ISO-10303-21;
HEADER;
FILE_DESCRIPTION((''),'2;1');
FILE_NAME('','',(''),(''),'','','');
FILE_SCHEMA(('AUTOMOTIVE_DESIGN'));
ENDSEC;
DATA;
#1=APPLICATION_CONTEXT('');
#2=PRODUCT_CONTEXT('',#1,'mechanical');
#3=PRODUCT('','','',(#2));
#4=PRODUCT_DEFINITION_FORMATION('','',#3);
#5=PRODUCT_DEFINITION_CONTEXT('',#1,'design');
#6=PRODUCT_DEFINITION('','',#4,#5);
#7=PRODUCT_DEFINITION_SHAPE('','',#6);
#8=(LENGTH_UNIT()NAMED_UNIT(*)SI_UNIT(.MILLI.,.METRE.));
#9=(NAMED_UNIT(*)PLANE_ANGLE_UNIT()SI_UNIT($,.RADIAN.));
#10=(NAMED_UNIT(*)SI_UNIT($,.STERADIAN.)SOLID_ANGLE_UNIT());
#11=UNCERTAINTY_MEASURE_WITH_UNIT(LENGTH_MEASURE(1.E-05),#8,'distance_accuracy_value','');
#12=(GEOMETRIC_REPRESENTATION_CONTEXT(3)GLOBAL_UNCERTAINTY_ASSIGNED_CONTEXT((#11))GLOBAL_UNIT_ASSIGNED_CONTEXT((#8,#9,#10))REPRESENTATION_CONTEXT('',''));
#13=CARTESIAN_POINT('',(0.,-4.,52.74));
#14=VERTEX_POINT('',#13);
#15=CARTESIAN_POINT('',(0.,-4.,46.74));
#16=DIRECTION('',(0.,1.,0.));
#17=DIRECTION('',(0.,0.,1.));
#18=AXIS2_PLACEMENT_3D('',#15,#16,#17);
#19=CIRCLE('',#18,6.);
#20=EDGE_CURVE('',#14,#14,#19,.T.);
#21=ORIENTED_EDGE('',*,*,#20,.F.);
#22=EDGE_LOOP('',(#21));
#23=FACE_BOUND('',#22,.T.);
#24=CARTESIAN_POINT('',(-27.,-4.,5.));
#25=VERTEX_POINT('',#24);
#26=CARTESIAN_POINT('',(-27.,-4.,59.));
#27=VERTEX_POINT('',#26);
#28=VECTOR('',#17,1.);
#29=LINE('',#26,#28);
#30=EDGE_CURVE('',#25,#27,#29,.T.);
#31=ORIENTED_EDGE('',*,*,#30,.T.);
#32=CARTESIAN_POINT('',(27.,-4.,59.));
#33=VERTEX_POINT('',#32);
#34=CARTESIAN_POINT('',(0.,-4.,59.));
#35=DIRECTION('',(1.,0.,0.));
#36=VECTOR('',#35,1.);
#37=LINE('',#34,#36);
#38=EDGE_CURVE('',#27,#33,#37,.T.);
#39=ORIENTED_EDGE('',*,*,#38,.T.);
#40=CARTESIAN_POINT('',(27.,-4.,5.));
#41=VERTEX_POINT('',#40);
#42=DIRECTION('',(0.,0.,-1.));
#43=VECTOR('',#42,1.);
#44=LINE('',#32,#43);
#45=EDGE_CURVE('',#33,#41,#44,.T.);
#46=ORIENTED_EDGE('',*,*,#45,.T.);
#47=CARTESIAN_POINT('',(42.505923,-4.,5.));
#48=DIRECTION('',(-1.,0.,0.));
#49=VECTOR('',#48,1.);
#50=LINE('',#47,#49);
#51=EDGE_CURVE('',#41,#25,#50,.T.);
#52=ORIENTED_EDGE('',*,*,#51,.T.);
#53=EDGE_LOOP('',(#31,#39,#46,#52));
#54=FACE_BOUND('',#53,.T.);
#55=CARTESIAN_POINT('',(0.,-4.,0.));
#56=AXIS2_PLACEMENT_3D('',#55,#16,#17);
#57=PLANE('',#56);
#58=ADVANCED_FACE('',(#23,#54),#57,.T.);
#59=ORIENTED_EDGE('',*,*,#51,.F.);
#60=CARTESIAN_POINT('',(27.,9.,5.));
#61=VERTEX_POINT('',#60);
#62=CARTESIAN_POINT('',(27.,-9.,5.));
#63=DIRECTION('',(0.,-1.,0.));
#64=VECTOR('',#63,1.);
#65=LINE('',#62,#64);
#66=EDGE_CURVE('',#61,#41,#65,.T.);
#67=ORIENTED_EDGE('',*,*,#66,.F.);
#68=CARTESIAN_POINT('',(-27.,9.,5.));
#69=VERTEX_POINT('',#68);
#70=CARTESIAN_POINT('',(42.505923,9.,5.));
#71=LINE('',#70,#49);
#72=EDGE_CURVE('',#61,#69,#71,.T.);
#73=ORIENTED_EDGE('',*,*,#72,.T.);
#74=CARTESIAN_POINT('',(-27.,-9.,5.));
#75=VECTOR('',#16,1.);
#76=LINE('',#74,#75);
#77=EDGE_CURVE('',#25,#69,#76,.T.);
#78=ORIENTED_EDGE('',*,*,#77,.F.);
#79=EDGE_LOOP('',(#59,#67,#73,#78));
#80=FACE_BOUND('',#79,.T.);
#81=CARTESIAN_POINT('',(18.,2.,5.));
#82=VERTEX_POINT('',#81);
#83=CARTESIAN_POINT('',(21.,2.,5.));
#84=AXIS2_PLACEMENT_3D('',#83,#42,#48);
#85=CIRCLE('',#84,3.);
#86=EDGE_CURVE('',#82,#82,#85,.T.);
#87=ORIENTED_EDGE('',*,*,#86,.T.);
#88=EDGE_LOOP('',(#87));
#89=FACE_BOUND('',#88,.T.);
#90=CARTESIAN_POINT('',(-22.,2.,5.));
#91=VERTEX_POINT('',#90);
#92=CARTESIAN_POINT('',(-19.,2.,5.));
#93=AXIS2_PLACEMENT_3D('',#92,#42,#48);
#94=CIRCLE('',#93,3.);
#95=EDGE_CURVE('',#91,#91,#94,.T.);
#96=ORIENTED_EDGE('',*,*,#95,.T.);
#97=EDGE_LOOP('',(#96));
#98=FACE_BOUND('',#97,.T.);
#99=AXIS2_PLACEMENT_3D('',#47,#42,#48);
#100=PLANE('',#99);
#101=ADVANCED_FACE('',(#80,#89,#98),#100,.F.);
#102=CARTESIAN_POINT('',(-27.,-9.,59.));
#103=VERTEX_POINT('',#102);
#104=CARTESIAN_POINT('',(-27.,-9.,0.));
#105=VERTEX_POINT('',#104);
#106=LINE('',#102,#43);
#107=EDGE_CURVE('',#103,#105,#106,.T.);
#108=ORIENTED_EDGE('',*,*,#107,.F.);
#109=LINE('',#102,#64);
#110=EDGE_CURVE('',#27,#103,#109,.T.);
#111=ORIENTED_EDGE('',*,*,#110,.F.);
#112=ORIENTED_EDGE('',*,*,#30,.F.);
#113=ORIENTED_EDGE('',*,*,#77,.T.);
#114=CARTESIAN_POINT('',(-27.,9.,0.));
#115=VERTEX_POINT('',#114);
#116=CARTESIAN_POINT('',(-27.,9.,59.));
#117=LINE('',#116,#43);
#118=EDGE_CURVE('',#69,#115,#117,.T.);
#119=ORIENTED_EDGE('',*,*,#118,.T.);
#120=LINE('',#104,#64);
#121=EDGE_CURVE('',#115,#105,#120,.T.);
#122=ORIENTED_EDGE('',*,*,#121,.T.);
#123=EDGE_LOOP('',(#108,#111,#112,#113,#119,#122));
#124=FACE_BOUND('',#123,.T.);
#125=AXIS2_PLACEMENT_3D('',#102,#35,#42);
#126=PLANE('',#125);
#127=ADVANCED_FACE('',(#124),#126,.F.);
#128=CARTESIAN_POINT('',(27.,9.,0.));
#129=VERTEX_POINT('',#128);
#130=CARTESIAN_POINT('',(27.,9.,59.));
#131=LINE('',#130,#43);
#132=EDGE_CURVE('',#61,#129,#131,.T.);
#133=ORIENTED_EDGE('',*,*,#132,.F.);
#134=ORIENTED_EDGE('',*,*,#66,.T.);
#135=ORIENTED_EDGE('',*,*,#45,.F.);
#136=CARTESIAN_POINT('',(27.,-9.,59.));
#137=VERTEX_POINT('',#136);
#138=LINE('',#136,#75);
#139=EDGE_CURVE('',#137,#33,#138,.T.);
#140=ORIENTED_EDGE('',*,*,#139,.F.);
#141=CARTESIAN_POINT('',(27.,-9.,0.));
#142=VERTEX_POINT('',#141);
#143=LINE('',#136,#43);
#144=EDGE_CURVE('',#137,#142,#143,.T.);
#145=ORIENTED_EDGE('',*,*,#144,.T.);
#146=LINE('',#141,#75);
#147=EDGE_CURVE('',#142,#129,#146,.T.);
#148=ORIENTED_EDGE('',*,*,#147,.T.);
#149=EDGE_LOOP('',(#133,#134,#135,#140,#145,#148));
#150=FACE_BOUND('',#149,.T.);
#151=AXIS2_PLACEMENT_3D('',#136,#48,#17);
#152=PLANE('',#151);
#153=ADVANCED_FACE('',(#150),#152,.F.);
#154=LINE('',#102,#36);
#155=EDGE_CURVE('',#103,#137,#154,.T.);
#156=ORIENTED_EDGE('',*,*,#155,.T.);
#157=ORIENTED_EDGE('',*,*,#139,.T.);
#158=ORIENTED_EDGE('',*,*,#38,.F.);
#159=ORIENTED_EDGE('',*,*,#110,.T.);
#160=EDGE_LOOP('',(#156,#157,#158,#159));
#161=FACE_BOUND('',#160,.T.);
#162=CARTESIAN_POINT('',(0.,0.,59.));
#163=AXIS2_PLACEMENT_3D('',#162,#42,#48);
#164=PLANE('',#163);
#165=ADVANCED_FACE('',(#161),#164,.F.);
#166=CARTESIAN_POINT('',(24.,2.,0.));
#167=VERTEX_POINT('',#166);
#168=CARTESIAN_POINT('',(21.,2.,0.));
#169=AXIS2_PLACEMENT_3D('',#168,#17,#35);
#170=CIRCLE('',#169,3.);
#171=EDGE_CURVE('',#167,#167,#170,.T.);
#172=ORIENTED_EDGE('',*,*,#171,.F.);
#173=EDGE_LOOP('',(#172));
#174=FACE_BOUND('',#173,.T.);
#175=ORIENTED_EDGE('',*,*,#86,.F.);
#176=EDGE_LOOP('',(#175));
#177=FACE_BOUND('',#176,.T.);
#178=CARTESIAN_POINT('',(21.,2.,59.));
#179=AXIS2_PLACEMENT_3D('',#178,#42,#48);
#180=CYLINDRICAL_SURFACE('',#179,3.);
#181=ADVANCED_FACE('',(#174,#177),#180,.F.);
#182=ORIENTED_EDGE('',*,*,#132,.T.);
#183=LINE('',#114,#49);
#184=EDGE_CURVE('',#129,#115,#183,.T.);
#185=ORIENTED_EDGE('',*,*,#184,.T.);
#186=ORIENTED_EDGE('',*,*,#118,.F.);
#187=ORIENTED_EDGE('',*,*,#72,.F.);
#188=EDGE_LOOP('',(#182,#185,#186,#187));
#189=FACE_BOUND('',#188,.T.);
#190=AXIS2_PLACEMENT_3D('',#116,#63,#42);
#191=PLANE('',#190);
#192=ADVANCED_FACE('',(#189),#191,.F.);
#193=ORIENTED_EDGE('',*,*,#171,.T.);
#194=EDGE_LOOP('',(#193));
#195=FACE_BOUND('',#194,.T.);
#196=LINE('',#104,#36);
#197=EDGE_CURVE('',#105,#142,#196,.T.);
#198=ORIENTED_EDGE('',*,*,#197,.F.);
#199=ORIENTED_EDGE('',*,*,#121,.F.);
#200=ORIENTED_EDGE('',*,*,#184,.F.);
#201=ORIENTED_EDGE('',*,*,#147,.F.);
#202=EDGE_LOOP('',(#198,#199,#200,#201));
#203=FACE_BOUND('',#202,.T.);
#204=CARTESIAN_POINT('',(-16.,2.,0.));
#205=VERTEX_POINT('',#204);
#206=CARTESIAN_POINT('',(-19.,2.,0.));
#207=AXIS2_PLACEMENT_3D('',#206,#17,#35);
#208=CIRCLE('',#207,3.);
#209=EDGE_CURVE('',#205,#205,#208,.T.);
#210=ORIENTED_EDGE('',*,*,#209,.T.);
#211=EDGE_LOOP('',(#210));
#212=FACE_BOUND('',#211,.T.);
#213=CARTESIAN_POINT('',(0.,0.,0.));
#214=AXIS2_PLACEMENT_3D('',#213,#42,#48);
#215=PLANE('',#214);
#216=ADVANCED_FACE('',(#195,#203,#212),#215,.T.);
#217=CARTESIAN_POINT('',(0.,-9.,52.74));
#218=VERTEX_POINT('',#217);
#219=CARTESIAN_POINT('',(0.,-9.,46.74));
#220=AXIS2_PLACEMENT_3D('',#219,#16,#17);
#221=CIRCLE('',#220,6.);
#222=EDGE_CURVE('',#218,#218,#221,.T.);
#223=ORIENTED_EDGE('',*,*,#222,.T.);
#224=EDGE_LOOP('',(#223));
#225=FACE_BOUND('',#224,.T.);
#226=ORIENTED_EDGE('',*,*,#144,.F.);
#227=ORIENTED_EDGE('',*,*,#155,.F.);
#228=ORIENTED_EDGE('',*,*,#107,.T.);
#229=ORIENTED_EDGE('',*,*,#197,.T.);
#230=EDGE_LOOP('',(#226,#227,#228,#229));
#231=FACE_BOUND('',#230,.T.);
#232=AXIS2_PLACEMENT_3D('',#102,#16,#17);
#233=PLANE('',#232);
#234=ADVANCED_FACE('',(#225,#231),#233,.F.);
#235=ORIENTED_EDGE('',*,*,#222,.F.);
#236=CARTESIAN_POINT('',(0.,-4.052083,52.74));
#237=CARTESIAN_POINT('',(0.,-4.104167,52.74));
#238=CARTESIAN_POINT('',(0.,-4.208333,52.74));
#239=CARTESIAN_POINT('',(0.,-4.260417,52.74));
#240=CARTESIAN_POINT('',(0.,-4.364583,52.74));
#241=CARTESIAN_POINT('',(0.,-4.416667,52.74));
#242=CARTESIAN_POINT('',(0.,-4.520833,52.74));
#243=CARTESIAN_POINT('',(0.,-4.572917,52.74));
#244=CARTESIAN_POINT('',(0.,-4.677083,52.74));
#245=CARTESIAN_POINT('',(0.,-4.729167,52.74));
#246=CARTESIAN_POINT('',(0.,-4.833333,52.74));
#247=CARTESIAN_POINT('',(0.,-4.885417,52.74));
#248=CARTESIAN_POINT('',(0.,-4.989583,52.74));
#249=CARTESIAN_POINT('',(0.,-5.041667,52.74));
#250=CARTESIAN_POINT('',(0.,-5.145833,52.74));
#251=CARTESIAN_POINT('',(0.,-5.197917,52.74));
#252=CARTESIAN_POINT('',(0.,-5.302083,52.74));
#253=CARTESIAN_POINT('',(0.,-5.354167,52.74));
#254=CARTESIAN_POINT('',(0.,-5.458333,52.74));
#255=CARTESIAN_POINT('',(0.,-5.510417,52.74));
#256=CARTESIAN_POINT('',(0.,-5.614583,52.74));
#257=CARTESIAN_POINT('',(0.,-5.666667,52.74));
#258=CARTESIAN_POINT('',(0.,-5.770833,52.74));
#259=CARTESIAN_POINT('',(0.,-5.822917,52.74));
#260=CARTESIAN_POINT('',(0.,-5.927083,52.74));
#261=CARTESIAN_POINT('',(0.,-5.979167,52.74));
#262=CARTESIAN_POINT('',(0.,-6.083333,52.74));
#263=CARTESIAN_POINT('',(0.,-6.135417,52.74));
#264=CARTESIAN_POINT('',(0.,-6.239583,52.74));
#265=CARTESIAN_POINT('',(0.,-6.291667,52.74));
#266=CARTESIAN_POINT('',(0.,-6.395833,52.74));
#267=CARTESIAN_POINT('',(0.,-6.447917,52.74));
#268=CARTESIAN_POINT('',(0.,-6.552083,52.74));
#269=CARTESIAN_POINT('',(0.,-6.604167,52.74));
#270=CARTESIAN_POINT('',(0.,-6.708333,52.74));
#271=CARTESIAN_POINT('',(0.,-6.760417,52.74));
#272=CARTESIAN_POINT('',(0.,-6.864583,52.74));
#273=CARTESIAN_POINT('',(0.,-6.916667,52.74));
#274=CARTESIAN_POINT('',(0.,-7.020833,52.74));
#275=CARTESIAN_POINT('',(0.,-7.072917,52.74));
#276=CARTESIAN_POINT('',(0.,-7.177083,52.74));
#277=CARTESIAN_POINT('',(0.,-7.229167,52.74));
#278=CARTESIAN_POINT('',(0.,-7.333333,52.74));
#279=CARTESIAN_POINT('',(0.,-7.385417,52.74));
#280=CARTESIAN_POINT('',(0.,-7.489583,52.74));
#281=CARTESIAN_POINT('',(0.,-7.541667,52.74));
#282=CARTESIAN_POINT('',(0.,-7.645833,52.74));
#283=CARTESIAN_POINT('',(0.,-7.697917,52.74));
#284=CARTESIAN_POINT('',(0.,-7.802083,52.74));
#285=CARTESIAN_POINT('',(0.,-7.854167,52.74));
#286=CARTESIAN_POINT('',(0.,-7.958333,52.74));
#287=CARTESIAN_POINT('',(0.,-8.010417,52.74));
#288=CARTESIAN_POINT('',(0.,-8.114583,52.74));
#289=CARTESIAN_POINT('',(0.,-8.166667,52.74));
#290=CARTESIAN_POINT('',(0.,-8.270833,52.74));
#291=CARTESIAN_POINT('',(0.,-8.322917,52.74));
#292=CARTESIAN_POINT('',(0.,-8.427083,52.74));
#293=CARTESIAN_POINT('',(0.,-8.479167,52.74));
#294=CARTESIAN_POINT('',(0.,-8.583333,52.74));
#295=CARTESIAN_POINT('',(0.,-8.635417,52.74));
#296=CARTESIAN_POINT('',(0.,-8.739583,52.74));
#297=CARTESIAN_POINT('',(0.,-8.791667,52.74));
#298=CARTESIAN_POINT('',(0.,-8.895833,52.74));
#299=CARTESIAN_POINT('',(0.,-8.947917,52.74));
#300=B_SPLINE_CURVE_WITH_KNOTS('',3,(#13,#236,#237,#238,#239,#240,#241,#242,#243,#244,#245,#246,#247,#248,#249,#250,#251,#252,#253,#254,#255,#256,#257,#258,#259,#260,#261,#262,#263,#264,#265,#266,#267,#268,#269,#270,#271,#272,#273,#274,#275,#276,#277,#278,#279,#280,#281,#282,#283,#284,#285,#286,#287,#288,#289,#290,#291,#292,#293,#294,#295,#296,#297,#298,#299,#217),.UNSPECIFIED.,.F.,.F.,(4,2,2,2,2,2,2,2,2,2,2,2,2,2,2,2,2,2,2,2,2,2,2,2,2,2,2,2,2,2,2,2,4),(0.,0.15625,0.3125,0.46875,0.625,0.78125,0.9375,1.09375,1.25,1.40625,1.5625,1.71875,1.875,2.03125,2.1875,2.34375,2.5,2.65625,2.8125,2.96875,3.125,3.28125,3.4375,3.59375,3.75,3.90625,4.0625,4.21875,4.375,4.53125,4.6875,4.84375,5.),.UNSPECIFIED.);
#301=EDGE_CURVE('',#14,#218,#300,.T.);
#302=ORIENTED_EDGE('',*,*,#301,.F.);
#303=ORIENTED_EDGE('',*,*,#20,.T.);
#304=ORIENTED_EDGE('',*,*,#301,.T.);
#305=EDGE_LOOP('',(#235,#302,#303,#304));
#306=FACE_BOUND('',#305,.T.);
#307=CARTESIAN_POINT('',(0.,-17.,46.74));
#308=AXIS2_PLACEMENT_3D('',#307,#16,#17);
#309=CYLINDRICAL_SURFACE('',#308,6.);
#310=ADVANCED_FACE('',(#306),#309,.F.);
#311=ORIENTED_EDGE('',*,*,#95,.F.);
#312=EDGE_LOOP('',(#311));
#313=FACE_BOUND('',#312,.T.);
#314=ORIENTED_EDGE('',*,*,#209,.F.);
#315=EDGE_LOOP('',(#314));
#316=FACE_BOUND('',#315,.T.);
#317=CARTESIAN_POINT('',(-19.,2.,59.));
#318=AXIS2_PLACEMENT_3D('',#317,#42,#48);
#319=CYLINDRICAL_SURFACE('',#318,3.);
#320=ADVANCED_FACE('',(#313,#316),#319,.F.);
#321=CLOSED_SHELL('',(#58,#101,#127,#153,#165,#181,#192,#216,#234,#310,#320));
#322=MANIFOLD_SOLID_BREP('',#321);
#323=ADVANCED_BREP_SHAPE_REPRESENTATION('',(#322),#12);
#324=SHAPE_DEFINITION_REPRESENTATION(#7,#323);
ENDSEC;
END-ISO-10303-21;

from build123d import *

# Parameters (mm, degrees)
ESQUISSE1_W             = 54
ESQUISSE1_H             = 18
ESQUISSE1_R             = 3
BOSS_EXTRU_1_DEPTH      = 59
ESQUISSE2_W             = 89.885876072
ESQUISSE2_H             = 74.564815434
ENL_V_MAT_EXTRU_1_DEPTH = 13
ESQUISSE3_R             = 6
ENL_V_MAT_EXTRU_2_DEPTH = 13


with BuildPart() as part:
    # Esquisse1 → Boss.-Extru.1 (new body)
    with BuildSketch(Plane.XY):
        Rectangle(ESQUISSE1_W, ESQUISSE1_H)
        with Locations((-19, 2)):
            Circle(ESQUISSE1_R, mode=Mode.SUBTRACT)
        with Locations((21, 2)):
            Circle(ESQUISSE1_R, mode=Mode.SUBTRACT)
    extrude(amount=BOSS_EXTRU_1_DEPTH)

    # Esquisse2 → Enlèv. mat.-Extru.1 (cut)
    with BuildSketch(Plane(origin=(0, 9, 0), x_dir=(1, 0, 0), z_dir=(0, 1, 0))):
        with Locations((-2.437014962, -42.282407717)):
            Rectangle(ESQUISSE2_W, ESQUISSE2_H)
    extrude(amount=-ENL_V_MAT_EXTRU_1_DEPTH, mode=Mode.SUBTRACT)

    # Esquisse3 → Enlèv. mat.-Extru.2 (cut)
    with BuildSketch(Plane(origin=(0, -4, 0), x_dir=(1, 0, 0), z_dir=(0, 1, 0))):
        with Locations(Location((0, -46.74, 0), (0, 0, 270))):
            Circle(ESQUISSE3_R)
    extrude(amount=-ENL_V_MAT_EXTRU_2_DEPTH, mode=Mode.SUBTRACT)


solid = part.part
